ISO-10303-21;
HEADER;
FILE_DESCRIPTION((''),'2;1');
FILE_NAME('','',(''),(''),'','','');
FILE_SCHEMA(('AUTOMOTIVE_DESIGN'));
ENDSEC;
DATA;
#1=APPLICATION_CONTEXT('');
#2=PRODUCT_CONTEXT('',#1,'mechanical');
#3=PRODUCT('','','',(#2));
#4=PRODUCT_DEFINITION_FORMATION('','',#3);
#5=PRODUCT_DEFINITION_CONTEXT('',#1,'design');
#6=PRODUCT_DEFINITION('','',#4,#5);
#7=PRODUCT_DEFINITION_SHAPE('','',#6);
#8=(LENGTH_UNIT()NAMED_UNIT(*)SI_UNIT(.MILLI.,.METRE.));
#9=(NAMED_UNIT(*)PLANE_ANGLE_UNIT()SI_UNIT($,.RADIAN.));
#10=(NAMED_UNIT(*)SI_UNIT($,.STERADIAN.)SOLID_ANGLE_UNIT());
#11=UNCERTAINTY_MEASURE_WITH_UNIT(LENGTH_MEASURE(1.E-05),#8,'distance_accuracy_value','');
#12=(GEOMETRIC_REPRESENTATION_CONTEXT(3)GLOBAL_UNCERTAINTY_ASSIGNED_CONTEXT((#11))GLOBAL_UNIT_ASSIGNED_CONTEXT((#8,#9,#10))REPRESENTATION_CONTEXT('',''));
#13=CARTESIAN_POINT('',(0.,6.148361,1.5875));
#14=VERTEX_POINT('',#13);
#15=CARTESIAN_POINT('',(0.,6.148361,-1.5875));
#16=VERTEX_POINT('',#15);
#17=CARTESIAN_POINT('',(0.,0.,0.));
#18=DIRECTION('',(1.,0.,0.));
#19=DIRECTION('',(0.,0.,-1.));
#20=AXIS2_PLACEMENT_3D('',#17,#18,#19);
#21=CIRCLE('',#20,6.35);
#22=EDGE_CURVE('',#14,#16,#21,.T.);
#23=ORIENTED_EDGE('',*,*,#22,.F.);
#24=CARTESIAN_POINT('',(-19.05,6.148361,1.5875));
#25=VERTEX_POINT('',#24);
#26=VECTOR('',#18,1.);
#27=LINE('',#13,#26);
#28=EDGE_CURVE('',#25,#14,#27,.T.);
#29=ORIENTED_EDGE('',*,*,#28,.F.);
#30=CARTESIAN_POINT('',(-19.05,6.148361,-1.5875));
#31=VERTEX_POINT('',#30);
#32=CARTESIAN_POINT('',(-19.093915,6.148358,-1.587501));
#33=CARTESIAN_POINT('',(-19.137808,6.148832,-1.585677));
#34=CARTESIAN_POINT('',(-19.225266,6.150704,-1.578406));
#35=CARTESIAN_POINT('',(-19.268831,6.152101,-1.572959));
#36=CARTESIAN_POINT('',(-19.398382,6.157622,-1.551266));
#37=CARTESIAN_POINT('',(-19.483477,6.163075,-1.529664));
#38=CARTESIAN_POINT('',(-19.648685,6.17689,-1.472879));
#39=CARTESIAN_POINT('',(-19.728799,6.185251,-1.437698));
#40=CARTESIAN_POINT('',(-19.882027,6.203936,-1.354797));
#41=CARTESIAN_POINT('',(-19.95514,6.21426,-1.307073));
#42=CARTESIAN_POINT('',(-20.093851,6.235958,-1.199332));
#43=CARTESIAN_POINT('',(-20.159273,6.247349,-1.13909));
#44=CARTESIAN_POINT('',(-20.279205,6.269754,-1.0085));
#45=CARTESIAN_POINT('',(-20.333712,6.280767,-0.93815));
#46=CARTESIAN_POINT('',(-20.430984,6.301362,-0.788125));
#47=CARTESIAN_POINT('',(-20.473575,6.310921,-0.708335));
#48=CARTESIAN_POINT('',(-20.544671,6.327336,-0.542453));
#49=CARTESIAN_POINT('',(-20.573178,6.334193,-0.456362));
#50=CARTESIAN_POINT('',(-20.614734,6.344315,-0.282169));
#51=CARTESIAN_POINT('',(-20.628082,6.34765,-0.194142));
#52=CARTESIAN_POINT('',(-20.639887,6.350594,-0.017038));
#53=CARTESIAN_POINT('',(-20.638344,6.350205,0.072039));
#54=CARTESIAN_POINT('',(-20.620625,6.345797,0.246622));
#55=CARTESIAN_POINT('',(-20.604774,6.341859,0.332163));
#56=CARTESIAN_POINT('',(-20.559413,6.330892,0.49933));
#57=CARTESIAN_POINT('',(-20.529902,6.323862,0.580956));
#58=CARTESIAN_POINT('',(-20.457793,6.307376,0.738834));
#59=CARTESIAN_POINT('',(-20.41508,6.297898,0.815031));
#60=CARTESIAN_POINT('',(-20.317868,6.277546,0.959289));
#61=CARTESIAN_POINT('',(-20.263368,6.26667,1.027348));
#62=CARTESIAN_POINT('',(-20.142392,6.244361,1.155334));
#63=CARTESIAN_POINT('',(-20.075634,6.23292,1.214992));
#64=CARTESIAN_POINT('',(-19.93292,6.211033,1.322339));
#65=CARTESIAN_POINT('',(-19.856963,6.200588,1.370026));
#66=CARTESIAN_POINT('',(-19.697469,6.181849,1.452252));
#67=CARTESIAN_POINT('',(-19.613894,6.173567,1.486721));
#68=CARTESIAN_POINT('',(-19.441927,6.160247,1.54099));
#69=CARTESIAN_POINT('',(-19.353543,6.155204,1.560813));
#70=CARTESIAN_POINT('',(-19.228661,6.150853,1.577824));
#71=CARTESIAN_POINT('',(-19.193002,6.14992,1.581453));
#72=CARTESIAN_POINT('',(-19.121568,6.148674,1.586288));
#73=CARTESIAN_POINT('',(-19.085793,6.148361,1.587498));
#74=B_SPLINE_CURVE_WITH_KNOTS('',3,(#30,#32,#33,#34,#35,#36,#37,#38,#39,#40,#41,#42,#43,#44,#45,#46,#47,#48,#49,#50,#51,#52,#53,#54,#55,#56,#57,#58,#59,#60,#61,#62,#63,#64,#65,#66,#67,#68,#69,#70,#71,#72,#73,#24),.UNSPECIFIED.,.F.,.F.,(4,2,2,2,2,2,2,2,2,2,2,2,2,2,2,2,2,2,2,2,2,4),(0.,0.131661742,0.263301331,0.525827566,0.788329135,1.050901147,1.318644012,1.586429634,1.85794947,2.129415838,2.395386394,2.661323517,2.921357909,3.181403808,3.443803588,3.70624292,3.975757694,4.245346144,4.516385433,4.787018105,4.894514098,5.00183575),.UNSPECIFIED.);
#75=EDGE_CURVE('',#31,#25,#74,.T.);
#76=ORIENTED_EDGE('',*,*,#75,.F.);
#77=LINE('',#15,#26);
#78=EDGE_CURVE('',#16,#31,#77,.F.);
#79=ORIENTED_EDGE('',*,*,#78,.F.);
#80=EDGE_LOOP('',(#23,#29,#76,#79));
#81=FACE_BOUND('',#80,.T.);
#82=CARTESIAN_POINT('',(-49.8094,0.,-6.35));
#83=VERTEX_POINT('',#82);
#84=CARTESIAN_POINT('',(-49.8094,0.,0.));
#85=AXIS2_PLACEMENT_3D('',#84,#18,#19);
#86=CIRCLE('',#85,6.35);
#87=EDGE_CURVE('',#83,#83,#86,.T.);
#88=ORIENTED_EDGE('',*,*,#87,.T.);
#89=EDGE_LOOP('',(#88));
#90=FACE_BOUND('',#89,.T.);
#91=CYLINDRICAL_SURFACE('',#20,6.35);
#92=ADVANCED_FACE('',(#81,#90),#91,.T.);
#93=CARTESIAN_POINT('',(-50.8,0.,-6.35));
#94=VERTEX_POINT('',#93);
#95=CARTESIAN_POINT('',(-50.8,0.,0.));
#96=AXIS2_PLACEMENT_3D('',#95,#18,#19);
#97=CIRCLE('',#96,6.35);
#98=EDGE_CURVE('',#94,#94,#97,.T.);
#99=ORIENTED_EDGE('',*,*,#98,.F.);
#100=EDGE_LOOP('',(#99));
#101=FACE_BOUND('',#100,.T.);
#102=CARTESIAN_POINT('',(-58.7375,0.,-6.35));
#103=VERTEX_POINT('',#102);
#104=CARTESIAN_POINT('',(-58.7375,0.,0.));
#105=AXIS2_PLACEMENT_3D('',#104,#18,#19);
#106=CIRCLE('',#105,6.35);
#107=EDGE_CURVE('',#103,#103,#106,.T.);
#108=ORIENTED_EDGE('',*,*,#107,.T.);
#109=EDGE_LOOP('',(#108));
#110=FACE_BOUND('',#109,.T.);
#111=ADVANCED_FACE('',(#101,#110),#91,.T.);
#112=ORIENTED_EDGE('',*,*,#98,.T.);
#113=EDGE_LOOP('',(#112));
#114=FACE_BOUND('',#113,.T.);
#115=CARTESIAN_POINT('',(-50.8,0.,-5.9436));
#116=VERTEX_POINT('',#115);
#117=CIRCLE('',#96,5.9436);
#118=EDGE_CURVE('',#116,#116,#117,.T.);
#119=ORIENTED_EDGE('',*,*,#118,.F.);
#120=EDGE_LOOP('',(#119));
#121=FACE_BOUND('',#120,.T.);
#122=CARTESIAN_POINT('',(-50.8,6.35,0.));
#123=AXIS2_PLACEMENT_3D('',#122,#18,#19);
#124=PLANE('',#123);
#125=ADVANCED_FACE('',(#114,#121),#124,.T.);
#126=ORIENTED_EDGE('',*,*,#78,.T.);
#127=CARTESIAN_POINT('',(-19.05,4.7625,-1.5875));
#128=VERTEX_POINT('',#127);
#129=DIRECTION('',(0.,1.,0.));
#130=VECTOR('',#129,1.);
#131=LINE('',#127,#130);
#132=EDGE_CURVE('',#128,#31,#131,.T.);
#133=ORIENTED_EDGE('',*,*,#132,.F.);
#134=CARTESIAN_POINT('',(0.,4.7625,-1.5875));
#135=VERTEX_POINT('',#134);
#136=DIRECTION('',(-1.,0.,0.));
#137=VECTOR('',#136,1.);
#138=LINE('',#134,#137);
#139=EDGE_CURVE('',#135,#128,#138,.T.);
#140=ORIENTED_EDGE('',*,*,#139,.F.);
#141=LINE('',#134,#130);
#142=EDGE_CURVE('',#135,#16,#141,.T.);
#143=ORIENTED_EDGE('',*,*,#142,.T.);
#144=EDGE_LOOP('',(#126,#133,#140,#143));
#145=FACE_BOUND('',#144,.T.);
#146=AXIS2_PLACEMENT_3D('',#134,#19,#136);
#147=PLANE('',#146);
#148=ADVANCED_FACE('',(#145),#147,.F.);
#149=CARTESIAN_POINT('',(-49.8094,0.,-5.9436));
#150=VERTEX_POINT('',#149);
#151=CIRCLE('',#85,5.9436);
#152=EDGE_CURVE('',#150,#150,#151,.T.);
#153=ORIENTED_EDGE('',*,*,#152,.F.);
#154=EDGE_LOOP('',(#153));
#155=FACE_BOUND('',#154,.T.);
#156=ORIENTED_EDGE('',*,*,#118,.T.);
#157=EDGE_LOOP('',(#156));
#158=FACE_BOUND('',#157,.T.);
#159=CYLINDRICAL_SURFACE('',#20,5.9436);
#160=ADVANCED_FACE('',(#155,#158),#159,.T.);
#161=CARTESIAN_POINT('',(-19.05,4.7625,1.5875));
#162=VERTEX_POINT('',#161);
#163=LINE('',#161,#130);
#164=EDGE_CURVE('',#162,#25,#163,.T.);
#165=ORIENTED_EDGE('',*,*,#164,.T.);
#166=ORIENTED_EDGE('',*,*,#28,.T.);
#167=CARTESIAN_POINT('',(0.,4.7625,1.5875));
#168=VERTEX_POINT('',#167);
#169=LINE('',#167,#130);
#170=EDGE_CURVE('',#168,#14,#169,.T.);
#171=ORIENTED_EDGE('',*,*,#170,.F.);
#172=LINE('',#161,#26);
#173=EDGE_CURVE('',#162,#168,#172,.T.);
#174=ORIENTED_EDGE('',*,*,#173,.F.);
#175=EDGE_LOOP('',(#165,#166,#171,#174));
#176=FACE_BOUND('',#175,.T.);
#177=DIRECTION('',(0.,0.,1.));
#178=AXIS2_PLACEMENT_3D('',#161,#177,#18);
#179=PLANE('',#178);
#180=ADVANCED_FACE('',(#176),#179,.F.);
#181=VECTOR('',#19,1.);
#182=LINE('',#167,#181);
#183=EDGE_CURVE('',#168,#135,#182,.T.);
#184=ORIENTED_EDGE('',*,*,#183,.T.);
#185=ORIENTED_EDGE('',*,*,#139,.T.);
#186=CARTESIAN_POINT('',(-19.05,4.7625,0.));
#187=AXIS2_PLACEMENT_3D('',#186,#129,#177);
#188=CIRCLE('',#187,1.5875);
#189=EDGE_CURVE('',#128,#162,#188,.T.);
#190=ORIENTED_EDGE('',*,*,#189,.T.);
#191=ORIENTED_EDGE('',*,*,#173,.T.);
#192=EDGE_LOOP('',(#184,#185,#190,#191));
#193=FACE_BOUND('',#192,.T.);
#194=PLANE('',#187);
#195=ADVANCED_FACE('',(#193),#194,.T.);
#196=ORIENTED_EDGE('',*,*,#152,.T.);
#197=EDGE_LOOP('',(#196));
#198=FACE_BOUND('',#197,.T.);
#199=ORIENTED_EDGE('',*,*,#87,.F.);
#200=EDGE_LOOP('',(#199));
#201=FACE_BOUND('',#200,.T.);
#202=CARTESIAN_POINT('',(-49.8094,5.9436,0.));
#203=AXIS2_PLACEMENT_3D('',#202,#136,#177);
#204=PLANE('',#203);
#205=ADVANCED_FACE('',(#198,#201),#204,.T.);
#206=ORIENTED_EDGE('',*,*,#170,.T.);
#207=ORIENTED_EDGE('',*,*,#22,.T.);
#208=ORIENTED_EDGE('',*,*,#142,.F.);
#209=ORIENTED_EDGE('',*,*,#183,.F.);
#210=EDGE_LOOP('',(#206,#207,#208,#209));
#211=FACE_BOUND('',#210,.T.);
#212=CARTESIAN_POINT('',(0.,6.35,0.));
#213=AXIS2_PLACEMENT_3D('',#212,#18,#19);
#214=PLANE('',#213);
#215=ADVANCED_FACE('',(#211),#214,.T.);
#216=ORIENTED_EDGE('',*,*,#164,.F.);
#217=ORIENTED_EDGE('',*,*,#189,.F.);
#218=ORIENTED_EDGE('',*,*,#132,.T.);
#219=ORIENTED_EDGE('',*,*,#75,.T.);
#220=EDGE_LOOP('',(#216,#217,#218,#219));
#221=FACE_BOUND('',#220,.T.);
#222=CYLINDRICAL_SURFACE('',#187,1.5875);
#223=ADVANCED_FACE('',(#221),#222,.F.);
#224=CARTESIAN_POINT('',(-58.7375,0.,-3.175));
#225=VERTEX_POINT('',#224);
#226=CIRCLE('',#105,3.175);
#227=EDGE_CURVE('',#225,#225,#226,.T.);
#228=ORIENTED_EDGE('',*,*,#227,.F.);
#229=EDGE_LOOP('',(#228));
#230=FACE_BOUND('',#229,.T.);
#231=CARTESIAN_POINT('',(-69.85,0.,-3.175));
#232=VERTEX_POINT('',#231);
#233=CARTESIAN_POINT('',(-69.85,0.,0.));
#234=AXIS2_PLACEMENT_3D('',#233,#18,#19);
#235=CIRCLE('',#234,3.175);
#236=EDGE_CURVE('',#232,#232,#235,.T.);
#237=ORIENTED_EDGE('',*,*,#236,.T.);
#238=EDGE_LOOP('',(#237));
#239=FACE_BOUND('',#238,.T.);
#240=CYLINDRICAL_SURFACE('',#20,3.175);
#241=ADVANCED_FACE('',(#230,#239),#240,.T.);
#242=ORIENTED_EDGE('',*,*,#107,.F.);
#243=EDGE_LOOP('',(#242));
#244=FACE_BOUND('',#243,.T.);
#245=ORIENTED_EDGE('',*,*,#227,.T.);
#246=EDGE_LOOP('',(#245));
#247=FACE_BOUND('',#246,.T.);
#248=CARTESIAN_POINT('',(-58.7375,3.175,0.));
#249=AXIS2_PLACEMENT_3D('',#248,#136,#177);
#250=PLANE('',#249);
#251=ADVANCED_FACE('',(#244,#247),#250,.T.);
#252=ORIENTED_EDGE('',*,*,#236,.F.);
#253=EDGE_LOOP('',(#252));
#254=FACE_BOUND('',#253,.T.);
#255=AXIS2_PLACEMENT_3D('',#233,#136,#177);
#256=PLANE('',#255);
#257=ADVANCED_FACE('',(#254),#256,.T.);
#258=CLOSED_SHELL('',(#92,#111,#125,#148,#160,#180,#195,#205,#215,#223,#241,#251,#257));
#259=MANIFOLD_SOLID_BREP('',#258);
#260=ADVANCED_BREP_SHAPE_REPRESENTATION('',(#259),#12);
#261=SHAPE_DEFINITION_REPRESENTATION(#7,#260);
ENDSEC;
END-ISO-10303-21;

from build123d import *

# Parameters (mm, degrees)
CUT_EXTRUDE1_DEPTH = 1.5875


with BuildPart() as part:
    # Sketch1 → Revolve1 (revolve)
    with BuildSketch(Plane.XY, mode=Mode.PRIVATE) as revolve1_sk:
        Polygon((-69.85, 0), (-69.85, 3.175), (-58.7375, 3.175), (-58.7375, 6.35), (-50.8, 6.35), (-50.8, 5.9436), (-49.8094, 5.9436), (-49.8094, 6.35), (0, 6.35), (0, 0), align=None)
    revolve(revolve1_sk.sketch.rotate(Axis((0, 0, 0), (-1, 0, 0)), 90), axis=Axis((0, 0, 0), (-1, 0, 0)))

    # Sketch2 → Cut-Extrude1 (cut)
    with BuildSketch(Plane(origin=(0, 6.35, 0), x_dir=(-1, 0, 0), z_dir=(0, 1, 0))):
        with BuildLine():
            Line((19.05, 1.5875), (0, 1.5875))
            Line((0, 1.5875), (0, -1.5875))
            Line((0, -1.5875), (19.05, -1.5875))
            ThreePointArc((19.05, -1.5875), (20.6375, 0), (19.05, 1.5875))
        make_face()
    extrude(amount=-CUT_EXTRUDE1_DEPTH, mode=Mode.SUBTRACT)


solid = part.part
